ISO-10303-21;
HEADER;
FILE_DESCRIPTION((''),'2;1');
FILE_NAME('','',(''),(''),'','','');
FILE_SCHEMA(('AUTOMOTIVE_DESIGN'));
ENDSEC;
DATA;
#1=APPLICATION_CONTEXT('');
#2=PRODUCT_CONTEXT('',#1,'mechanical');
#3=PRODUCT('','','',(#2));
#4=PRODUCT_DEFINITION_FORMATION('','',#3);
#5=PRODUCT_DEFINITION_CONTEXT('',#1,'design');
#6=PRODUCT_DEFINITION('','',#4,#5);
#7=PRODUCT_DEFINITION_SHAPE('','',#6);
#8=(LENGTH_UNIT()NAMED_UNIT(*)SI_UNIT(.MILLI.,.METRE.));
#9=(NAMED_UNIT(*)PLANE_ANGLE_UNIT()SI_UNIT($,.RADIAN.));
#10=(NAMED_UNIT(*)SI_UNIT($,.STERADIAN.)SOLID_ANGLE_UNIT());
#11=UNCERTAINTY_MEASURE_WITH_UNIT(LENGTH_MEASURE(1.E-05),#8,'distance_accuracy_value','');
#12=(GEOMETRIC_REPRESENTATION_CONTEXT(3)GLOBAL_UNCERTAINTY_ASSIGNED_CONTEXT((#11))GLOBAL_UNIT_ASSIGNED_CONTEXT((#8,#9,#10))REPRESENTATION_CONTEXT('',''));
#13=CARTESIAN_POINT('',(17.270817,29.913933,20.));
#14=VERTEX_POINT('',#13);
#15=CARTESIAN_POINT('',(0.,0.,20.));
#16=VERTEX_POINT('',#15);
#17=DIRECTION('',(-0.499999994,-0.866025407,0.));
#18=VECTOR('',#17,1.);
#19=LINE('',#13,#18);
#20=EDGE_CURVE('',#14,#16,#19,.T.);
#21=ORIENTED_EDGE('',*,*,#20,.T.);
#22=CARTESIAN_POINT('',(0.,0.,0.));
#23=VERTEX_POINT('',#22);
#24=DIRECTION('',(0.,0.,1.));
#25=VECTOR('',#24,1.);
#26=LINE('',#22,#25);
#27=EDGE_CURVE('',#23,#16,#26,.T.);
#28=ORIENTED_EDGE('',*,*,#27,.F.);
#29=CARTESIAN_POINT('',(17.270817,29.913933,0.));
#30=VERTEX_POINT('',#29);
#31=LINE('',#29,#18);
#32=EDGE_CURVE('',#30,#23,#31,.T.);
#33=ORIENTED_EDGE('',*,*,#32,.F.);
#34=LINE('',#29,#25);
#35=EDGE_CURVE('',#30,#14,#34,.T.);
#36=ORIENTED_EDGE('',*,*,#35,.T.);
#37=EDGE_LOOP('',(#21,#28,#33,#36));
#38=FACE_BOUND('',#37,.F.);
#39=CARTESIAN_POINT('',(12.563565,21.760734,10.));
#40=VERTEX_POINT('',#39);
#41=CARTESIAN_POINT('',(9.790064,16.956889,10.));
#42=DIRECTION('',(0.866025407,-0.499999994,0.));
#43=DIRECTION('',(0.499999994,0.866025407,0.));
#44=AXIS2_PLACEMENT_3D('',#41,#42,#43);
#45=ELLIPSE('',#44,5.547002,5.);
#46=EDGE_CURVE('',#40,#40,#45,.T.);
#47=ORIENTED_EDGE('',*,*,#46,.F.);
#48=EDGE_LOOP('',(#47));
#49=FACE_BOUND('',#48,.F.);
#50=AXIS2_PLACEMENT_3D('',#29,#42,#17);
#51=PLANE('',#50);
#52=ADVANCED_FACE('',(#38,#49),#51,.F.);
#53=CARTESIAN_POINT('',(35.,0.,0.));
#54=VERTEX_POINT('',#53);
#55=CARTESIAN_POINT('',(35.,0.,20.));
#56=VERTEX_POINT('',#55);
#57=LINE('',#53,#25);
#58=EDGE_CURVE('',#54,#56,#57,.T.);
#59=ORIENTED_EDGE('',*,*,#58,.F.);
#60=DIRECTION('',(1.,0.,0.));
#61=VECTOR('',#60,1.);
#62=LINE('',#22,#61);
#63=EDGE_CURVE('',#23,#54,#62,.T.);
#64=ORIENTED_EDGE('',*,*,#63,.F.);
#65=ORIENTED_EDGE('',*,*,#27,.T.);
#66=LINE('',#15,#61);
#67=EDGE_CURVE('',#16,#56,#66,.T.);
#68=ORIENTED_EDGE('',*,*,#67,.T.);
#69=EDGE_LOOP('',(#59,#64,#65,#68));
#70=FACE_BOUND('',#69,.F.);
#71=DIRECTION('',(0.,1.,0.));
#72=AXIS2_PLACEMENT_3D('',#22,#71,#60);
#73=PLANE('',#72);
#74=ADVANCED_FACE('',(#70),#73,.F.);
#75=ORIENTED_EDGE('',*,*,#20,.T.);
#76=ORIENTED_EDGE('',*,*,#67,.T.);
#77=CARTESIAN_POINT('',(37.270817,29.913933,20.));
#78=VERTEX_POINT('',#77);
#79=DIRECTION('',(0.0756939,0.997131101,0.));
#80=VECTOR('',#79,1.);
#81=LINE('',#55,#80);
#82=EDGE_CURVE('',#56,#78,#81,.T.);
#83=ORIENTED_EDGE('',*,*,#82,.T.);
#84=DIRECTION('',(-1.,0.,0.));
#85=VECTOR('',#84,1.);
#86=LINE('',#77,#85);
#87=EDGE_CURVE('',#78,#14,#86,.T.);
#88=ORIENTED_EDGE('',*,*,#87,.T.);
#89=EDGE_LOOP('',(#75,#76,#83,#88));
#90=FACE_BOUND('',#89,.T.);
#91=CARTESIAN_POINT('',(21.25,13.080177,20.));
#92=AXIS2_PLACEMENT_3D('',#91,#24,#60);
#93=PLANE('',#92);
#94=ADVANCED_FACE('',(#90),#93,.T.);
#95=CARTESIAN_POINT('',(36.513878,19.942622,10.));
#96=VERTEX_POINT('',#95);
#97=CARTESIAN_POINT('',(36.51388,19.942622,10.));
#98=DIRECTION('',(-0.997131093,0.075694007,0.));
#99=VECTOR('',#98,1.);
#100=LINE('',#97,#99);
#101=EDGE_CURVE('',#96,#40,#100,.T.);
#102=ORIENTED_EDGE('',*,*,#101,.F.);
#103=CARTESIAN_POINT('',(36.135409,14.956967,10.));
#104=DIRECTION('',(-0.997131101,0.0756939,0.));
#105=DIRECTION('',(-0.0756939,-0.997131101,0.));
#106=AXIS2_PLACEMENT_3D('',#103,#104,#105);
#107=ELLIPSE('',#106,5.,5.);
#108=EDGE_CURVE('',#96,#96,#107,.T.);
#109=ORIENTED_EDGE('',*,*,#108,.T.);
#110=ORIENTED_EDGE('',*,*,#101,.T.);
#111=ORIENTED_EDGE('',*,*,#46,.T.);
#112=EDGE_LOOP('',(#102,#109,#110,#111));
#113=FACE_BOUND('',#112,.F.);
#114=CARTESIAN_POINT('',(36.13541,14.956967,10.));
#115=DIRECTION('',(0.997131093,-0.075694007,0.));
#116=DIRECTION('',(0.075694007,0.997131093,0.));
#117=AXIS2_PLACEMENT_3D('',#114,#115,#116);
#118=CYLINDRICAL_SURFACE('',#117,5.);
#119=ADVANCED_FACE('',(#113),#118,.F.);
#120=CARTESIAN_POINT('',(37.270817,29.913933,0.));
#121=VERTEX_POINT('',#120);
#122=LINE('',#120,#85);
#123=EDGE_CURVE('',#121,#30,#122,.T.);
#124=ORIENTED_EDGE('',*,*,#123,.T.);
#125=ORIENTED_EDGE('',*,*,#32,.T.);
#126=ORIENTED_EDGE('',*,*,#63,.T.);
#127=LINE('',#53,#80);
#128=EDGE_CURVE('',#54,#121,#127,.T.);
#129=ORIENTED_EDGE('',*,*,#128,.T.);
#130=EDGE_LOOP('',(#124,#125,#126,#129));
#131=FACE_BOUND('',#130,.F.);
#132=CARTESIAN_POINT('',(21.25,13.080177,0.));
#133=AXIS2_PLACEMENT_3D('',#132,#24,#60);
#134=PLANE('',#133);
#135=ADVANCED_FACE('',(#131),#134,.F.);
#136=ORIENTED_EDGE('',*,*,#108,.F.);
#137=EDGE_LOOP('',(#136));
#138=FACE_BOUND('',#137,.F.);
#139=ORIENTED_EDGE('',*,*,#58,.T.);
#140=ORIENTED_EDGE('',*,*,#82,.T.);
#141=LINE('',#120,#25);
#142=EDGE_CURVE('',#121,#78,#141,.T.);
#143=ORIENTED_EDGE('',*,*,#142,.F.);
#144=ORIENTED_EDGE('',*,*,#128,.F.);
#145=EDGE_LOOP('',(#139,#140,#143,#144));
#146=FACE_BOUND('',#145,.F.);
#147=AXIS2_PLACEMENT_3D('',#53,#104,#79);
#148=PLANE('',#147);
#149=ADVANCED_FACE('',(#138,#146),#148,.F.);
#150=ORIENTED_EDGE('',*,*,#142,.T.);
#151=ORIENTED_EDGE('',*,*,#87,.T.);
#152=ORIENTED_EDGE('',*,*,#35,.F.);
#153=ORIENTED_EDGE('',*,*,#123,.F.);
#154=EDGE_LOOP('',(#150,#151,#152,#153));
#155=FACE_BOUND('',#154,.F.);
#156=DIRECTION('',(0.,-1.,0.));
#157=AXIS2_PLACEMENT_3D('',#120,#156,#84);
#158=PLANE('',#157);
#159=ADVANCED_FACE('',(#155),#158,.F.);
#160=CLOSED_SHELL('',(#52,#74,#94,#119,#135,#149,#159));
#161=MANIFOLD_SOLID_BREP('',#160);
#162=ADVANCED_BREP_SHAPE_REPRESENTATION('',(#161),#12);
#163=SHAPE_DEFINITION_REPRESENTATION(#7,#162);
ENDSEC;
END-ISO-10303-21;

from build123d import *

# Parameters (mm, degrees)
F1_DEPTH = 20
F2_R     = 5
F3_DEPTH = 37.164891


with BuildPart() as f1:
    # F0 (on Top) → F1 (new body)
    with BuildSketch(Plane.XY):
        Polygon((17.270817, 29.913933), (0, 0), (35, 0), (37.270817, 29.913933), align=None)
    extrude(amount=F1_DEPTH)

    # F2 (on face) → F3 (cut, through all)
    with BuildSketch(Plane(origin=(34.799465, -2.641686, 0), x_dir=(0.075694, 0.997131, 0), z_dir=(0.997131, -0.075694, 0))):
        with Locations((17.649287, 10)):
            Circle(F2_R)
    extrude(amount=-F3_DEPTH, mode=Mode.SUBTRACT)


solid = f1.part
